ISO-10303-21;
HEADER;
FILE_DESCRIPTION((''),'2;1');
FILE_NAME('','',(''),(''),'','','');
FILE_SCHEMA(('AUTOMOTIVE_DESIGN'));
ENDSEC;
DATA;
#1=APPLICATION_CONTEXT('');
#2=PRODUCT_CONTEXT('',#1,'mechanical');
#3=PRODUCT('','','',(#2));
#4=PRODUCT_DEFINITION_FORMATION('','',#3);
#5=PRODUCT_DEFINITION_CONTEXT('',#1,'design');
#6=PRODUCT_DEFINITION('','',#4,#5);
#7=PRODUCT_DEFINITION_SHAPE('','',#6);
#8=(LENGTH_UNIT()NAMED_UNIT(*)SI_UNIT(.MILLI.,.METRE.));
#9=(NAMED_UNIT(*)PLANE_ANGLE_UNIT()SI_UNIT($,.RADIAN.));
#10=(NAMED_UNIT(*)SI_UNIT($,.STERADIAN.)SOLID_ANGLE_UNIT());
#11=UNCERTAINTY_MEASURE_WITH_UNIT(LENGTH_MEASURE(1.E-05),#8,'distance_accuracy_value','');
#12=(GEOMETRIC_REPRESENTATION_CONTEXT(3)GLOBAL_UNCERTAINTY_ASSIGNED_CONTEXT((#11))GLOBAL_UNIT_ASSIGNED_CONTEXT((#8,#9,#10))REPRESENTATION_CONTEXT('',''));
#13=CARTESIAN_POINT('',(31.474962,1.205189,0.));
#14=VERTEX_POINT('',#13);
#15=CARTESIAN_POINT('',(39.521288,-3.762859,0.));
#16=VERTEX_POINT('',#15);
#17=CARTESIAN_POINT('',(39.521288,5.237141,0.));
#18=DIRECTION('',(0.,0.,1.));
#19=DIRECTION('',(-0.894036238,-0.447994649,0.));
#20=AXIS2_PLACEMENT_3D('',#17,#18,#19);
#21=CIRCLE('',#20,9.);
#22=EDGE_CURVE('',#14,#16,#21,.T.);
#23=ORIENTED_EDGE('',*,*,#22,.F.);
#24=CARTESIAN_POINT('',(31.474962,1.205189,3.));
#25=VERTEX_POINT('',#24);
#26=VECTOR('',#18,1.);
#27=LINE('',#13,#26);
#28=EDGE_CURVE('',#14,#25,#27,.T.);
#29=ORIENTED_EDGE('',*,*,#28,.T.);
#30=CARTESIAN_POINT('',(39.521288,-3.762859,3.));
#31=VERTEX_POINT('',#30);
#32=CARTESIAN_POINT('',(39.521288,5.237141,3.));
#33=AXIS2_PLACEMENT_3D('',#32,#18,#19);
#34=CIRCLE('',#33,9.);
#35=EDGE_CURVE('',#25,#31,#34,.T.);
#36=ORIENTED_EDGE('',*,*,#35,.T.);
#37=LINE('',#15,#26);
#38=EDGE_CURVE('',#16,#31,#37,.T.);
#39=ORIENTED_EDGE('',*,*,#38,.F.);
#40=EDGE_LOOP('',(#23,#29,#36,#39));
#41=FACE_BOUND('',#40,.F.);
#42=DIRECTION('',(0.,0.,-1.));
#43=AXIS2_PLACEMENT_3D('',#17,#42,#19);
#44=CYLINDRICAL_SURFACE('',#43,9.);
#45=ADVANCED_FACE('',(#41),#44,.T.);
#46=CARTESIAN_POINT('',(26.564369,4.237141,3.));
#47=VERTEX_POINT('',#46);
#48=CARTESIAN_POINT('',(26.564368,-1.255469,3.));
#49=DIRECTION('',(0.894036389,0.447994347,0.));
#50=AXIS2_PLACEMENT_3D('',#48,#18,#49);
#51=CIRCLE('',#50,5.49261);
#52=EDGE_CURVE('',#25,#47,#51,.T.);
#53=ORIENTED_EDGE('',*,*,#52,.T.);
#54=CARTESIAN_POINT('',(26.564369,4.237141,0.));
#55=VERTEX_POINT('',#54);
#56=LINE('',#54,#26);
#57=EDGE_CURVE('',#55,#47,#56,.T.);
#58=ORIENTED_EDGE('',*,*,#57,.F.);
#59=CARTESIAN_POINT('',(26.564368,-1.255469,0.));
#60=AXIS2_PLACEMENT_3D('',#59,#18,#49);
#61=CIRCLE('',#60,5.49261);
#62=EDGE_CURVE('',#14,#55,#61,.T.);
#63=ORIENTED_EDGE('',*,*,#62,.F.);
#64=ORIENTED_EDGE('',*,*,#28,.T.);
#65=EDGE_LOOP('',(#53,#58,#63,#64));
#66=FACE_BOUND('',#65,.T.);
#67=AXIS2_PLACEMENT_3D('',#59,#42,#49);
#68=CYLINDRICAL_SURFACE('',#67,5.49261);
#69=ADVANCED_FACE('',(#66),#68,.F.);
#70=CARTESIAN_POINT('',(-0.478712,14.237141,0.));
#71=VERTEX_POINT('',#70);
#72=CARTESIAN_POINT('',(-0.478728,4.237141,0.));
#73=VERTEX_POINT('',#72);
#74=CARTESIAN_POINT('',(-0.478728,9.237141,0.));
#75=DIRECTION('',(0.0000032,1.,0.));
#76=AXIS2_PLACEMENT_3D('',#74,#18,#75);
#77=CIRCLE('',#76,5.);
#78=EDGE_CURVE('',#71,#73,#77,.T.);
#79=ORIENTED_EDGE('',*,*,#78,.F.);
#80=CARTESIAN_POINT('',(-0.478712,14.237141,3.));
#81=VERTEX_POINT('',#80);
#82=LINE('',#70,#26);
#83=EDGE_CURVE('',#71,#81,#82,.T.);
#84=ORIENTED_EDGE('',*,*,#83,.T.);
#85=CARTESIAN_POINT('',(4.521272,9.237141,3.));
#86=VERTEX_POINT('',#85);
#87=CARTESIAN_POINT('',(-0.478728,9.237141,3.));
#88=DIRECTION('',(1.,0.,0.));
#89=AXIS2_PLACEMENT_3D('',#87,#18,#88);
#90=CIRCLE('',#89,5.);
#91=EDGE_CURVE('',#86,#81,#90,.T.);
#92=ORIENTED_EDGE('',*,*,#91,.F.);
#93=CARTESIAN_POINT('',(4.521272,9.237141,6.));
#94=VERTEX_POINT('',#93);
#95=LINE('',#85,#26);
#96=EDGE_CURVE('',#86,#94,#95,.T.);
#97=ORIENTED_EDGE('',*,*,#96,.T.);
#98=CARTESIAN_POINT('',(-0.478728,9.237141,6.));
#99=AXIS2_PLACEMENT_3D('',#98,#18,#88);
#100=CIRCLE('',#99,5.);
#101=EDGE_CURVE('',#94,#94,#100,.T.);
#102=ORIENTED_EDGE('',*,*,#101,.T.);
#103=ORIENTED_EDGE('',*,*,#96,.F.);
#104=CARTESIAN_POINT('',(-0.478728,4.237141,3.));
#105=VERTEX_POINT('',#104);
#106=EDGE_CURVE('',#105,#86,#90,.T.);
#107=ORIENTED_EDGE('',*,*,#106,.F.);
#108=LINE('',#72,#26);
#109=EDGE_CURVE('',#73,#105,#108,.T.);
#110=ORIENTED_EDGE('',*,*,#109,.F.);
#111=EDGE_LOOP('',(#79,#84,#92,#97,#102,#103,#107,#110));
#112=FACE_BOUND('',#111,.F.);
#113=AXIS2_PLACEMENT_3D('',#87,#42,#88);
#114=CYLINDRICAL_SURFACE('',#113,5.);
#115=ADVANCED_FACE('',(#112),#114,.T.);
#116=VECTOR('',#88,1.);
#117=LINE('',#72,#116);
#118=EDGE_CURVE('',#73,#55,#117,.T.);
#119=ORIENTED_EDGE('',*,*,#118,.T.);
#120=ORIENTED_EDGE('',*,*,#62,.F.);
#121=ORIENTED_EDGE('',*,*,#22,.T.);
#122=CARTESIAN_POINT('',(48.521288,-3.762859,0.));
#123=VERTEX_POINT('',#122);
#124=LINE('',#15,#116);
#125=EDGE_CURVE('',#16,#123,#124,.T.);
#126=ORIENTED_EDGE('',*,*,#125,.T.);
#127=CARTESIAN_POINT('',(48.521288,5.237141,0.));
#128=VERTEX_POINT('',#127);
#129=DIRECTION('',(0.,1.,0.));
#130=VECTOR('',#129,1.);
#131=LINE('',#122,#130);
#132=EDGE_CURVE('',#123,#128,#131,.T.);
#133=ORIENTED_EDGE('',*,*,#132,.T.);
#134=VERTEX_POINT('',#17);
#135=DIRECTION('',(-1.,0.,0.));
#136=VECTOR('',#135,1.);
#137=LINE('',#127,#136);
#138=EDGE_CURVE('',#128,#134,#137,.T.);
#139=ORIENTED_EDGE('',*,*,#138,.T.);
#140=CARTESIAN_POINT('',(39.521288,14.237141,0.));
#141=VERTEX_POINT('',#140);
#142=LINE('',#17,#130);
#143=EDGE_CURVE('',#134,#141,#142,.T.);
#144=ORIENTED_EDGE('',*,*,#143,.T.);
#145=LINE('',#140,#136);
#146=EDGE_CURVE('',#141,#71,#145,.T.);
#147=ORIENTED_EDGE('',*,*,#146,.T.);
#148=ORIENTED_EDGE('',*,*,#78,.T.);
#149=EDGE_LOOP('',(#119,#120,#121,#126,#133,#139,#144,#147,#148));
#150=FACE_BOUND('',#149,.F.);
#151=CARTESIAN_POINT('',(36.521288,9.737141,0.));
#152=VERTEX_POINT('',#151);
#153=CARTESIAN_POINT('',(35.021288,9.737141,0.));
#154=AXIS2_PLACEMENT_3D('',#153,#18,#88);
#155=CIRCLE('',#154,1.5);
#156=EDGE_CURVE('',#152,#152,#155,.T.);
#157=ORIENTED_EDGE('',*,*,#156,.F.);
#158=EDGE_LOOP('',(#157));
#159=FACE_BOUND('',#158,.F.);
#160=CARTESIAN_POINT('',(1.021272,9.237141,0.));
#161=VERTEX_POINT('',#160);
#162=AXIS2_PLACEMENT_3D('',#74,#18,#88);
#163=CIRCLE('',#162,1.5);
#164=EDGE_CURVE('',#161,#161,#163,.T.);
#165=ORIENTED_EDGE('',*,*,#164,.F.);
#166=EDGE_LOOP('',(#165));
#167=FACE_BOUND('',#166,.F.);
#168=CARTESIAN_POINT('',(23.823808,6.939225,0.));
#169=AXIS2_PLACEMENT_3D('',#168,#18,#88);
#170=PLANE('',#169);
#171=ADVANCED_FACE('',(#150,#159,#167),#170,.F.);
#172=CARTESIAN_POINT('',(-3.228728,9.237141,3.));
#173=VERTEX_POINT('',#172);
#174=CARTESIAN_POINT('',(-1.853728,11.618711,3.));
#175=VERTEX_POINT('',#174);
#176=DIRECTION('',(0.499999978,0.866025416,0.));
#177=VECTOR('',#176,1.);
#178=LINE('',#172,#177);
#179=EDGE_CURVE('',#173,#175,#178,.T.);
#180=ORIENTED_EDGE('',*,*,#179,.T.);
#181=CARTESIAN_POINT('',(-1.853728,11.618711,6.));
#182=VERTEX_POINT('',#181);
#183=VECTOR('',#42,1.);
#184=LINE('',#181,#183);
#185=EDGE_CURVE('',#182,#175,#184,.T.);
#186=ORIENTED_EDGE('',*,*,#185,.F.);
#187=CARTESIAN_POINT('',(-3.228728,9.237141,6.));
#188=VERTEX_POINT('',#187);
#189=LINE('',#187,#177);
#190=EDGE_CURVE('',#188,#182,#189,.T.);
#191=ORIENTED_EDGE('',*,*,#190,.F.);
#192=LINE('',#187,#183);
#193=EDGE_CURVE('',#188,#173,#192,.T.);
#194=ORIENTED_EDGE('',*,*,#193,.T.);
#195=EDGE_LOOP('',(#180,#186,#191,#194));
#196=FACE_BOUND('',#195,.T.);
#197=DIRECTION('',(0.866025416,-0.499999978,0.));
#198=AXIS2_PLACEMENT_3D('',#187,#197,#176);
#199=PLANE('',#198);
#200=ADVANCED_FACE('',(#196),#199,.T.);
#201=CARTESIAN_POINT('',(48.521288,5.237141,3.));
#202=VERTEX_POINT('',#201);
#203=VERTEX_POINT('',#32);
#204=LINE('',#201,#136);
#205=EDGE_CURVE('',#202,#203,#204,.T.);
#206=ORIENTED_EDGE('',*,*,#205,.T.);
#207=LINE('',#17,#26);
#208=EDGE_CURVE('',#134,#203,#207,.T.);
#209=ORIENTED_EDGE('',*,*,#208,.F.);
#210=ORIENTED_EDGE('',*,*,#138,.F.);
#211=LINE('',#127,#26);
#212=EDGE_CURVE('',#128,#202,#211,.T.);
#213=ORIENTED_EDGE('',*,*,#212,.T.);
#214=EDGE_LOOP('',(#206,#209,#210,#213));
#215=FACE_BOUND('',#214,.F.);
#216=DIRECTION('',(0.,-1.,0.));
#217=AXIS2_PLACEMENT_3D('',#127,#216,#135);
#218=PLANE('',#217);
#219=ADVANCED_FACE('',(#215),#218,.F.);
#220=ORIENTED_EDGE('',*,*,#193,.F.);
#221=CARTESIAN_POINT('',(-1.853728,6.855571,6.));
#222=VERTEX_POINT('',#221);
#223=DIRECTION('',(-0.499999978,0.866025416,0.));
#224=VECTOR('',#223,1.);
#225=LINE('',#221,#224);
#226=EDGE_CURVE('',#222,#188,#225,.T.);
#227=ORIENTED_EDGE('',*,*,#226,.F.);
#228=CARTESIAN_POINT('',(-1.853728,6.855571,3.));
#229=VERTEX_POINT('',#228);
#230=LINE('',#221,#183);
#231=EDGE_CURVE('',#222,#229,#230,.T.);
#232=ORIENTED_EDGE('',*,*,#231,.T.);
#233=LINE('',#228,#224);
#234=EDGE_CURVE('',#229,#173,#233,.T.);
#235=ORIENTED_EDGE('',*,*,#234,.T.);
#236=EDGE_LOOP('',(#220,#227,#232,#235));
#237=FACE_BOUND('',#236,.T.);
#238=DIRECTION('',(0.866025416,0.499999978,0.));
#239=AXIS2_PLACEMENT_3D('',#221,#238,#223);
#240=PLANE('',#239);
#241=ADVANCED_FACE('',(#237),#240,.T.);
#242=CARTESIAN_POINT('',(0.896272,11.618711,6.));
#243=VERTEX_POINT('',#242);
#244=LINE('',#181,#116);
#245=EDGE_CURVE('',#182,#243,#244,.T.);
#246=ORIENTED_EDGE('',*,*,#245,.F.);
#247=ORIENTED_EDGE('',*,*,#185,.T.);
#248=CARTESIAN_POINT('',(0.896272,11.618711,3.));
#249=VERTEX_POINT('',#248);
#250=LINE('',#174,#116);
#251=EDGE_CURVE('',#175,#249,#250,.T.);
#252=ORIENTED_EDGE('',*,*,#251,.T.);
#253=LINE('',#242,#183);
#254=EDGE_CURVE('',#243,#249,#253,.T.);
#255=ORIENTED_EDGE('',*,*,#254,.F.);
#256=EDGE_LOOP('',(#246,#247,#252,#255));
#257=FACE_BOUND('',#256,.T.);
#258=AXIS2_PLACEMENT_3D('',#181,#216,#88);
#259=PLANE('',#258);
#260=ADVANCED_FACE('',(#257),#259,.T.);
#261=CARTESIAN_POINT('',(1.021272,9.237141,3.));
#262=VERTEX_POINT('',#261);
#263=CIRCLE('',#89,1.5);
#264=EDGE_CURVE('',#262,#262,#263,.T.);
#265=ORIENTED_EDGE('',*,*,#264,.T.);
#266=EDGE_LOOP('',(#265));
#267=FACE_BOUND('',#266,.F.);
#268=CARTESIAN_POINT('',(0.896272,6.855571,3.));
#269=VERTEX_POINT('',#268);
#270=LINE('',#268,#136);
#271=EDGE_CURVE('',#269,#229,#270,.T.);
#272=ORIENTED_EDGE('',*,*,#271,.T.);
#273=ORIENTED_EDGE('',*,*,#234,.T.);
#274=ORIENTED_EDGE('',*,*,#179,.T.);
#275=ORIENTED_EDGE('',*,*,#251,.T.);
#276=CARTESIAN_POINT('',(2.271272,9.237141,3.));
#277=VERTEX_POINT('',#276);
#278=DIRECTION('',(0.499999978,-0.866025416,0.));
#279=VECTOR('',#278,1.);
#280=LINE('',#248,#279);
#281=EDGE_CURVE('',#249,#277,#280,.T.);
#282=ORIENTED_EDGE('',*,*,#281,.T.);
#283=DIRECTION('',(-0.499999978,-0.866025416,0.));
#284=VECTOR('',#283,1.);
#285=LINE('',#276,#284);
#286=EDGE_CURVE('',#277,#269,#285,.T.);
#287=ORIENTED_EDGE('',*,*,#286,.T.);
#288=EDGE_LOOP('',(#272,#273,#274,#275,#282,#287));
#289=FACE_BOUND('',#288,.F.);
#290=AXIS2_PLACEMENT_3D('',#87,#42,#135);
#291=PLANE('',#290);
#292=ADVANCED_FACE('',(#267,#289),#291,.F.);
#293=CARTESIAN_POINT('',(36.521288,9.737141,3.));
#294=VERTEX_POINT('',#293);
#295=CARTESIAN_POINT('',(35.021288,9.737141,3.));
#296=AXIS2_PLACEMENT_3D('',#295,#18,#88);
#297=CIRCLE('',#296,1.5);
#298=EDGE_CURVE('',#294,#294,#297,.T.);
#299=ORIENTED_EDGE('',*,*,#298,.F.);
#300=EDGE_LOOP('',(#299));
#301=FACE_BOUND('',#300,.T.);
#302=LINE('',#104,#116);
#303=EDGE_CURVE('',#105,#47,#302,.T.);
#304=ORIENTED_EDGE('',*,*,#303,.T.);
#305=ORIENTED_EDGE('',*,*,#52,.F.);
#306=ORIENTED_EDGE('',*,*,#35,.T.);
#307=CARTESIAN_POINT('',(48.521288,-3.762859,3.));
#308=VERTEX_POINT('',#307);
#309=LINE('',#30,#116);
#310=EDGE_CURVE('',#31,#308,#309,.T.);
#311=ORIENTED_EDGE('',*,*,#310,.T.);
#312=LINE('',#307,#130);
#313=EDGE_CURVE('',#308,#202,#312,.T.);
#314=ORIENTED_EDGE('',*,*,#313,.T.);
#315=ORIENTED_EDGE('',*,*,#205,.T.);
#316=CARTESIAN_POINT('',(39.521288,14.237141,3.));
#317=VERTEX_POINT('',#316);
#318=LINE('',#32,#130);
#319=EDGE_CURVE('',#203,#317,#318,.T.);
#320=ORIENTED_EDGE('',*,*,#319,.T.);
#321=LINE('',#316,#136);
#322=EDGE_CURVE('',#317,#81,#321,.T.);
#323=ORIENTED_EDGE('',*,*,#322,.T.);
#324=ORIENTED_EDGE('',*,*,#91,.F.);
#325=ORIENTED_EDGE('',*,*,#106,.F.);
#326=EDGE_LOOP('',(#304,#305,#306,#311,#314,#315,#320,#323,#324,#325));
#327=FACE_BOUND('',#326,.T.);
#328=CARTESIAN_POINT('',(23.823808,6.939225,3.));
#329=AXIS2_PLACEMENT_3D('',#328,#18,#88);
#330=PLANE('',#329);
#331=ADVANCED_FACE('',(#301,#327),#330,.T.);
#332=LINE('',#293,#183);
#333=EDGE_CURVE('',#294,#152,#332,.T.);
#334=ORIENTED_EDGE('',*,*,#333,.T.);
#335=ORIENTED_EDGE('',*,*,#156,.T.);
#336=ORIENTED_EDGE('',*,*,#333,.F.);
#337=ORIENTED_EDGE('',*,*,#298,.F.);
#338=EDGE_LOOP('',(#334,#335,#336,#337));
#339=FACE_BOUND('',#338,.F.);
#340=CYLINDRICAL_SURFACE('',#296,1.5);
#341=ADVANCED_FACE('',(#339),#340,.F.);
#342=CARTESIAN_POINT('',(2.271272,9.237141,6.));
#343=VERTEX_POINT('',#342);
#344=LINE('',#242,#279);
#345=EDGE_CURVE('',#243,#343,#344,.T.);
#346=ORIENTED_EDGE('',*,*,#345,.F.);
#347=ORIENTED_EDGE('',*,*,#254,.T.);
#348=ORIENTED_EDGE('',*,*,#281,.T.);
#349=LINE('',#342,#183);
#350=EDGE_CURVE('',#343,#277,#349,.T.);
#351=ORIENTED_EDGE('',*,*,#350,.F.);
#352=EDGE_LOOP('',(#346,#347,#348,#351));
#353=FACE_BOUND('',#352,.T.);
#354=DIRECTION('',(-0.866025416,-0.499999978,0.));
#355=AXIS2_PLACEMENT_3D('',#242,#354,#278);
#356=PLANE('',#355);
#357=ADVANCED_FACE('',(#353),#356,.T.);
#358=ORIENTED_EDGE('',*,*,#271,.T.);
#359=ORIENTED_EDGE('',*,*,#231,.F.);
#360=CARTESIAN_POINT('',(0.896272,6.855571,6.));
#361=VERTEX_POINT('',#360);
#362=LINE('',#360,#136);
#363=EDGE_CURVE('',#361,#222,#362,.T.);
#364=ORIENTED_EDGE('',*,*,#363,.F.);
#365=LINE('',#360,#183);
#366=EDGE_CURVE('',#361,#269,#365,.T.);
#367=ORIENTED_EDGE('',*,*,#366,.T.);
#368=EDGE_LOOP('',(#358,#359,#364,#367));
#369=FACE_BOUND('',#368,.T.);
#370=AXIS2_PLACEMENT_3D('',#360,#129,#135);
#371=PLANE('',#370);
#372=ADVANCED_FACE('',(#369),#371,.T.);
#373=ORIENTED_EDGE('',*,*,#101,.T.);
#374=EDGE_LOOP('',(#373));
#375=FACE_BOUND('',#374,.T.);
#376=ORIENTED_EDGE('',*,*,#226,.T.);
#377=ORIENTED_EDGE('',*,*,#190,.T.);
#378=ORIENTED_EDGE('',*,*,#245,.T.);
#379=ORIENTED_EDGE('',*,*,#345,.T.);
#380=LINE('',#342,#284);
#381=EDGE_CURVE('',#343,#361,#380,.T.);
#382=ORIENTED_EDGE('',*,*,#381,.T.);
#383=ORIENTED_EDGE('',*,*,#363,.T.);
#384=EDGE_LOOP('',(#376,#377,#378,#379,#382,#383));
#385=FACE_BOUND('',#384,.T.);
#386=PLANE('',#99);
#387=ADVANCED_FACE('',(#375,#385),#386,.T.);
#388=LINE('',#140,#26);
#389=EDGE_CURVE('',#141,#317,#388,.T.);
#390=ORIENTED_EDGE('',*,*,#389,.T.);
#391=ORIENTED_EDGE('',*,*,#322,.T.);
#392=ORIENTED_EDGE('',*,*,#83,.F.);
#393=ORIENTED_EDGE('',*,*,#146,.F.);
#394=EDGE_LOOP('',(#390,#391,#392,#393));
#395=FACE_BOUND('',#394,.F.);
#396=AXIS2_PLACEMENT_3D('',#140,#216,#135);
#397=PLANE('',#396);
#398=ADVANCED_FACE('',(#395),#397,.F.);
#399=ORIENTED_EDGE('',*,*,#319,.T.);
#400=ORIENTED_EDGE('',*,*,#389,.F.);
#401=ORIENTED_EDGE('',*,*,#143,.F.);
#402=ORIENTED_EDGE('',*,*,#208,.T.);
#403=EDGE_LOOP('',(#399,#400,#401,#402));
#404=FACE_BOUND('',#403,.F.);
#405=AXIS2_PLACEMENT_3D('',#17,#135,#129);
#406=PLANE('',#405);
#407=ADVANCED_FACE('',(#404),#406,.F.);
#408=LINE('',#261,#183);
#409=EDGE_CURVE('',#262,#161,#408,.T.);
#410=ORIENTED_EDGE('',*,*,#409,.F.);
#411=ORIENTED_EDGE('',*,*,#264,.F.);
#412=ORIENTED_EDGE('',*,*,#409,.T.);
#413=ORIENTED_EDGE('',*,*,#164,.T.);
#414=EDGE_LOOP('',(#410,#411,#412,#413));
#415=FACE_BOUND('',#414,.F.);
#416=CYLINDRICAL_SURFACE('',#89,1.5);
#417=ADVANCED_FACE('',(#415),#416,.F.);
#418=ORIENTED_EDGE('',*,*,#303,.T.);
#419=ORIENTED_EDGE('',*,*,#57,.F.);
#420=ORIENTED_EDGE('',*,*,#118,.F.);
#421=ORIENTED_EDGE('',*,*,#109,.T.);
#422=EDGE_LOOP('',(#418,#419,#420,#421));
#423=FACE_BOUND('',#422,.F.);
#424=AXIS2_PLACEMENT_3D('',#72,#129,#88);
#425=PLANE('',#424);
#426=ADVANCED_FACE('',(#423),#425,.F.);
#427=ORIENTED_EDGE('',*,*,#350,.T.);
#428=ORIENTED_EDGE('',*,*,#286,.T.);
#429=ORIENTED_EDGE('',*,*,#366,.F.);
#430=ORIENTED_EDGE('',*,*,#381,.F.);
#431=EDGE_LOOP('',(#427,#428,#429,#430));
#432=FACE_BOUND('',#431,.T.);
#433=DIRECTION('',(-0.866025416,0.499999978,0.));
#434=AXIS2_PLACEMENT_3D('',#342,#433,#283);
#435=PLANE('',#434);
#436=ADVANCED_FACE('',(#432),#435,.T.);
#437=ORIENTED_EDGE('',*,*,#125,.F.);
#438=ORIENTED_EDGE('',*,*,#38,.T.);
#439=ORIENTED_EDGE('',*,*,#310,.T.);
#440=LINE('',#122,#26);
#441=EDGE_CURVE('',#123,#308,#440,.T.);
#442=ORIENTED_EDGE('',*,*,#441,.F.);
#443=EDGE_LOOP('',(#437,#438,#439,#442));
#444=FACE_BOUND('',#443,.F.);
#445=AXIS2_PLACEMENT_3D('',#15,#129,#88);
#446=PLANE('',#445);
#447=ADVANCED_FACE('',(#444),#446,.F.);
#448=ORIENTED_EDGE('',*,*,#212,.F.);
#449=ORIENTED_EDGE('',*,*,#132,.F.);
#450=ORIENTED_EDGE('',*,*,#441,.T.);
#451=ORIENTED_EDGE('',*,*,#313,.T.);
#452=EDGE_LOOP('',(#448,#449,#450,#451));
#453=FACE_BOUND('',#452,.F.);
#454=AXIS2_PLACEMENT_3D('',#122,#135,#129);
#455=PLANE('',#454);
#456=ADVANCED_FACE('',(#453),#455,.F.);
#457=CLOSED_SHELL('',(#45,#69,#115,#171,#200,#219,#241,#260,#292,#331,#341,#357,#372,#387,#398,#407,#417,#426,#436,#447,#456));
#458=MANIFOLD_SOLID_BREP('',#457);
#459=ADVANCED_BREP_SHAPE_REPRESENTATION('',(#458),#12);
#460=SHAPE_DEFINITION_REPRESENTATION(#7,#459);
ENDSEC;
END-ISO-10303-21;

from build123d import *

# Parameters (mm, degrees)
PAD_DEPTH       = 3
SKETCH001_R     = 1.5
POCKET_DEPTH    = 3.001
SKETCH002_R     = 5
PAD001_DEPTH    = 3
POCKET001_DEPTH = 3
SKETCH004_R     = 1.5
POCKET002_DEPTH = 3.001


with BuildPart() as part:
    # Sketch → Pad (new body)
    with BuildSketch(Plane.XY):
        with BuildLine():
            Line((48.521288, 5.237141), (39.521288, 5.237141))
            Line((39.521288, 5.237141), (39.521288, 14.237141))
            Line((39.521288, 14.237141), (-0.478712, 14.237141))
            ThreePointArc((-0.478712, 14.237141), (-5.478728, 9.23715), (-0.478728, 4.237141))
            Line((-0.478728, 4.237141), (26.564369, 4.237141))
            ThreePointArc((31.474962, 1.205189), (29.449965, 3.418084), (26.564369, 4.237141))
            ThreePointArc((31.474962, 1.205189), (34.793052, -2.420782), (39.521288, -3.762859))
            Line((39.521288, -3.762859), (48.521288, -3.762859))
            Line((48.521288, -3.762859), (48.521288, 5.237141))
        make_face()
    extrude(amount=PAD_DEPTH)

    # Sketch001 → Pocket (cut, through all)
    with BuildSketch(Plane.XY.offset(3)):
        with Locations((35.021288, 9.737141)):
            Circle(SKETCH001_R)
    extrude(amount=-POCKET_DEPTH, mode=Mode.SUBTRACT)

    # Sketch002 → Pad001 (new body)
    with BuildSketch(Plane.XY.offset(3)):
        with Locations((-0.478728, 9.237141)):
            Circle(SKETCH002_R)
    extrude(amount=PAD001_DEPTH)

    # Sketch003 → Pocket001 (cut)
    with BuildSketch(Plane.XY.offset(6)):
        Polygon((-1.853728, 11.618711), (0.896272, 11.618711), (2.271272, 9.237141), (0.896272, 6.855571), (-1.853728, 6.855571), (-3.228728, 9.237141), align=None)
    extrude(amount=-POCKET001_DEPTH, mode=Mode.SUBTRACT)

    # Sketch004 → Pocket002 (cut, through all)
    with BuildSketch(Plane.XY.offset(3)):
        with Locations((-0.478728, 9.237141)):
            Circle(SKETCH004_R)
    extrude(amount=-POCKET002_DEPTH, mode=Mode.SUBTRACT)


solid = part.part
